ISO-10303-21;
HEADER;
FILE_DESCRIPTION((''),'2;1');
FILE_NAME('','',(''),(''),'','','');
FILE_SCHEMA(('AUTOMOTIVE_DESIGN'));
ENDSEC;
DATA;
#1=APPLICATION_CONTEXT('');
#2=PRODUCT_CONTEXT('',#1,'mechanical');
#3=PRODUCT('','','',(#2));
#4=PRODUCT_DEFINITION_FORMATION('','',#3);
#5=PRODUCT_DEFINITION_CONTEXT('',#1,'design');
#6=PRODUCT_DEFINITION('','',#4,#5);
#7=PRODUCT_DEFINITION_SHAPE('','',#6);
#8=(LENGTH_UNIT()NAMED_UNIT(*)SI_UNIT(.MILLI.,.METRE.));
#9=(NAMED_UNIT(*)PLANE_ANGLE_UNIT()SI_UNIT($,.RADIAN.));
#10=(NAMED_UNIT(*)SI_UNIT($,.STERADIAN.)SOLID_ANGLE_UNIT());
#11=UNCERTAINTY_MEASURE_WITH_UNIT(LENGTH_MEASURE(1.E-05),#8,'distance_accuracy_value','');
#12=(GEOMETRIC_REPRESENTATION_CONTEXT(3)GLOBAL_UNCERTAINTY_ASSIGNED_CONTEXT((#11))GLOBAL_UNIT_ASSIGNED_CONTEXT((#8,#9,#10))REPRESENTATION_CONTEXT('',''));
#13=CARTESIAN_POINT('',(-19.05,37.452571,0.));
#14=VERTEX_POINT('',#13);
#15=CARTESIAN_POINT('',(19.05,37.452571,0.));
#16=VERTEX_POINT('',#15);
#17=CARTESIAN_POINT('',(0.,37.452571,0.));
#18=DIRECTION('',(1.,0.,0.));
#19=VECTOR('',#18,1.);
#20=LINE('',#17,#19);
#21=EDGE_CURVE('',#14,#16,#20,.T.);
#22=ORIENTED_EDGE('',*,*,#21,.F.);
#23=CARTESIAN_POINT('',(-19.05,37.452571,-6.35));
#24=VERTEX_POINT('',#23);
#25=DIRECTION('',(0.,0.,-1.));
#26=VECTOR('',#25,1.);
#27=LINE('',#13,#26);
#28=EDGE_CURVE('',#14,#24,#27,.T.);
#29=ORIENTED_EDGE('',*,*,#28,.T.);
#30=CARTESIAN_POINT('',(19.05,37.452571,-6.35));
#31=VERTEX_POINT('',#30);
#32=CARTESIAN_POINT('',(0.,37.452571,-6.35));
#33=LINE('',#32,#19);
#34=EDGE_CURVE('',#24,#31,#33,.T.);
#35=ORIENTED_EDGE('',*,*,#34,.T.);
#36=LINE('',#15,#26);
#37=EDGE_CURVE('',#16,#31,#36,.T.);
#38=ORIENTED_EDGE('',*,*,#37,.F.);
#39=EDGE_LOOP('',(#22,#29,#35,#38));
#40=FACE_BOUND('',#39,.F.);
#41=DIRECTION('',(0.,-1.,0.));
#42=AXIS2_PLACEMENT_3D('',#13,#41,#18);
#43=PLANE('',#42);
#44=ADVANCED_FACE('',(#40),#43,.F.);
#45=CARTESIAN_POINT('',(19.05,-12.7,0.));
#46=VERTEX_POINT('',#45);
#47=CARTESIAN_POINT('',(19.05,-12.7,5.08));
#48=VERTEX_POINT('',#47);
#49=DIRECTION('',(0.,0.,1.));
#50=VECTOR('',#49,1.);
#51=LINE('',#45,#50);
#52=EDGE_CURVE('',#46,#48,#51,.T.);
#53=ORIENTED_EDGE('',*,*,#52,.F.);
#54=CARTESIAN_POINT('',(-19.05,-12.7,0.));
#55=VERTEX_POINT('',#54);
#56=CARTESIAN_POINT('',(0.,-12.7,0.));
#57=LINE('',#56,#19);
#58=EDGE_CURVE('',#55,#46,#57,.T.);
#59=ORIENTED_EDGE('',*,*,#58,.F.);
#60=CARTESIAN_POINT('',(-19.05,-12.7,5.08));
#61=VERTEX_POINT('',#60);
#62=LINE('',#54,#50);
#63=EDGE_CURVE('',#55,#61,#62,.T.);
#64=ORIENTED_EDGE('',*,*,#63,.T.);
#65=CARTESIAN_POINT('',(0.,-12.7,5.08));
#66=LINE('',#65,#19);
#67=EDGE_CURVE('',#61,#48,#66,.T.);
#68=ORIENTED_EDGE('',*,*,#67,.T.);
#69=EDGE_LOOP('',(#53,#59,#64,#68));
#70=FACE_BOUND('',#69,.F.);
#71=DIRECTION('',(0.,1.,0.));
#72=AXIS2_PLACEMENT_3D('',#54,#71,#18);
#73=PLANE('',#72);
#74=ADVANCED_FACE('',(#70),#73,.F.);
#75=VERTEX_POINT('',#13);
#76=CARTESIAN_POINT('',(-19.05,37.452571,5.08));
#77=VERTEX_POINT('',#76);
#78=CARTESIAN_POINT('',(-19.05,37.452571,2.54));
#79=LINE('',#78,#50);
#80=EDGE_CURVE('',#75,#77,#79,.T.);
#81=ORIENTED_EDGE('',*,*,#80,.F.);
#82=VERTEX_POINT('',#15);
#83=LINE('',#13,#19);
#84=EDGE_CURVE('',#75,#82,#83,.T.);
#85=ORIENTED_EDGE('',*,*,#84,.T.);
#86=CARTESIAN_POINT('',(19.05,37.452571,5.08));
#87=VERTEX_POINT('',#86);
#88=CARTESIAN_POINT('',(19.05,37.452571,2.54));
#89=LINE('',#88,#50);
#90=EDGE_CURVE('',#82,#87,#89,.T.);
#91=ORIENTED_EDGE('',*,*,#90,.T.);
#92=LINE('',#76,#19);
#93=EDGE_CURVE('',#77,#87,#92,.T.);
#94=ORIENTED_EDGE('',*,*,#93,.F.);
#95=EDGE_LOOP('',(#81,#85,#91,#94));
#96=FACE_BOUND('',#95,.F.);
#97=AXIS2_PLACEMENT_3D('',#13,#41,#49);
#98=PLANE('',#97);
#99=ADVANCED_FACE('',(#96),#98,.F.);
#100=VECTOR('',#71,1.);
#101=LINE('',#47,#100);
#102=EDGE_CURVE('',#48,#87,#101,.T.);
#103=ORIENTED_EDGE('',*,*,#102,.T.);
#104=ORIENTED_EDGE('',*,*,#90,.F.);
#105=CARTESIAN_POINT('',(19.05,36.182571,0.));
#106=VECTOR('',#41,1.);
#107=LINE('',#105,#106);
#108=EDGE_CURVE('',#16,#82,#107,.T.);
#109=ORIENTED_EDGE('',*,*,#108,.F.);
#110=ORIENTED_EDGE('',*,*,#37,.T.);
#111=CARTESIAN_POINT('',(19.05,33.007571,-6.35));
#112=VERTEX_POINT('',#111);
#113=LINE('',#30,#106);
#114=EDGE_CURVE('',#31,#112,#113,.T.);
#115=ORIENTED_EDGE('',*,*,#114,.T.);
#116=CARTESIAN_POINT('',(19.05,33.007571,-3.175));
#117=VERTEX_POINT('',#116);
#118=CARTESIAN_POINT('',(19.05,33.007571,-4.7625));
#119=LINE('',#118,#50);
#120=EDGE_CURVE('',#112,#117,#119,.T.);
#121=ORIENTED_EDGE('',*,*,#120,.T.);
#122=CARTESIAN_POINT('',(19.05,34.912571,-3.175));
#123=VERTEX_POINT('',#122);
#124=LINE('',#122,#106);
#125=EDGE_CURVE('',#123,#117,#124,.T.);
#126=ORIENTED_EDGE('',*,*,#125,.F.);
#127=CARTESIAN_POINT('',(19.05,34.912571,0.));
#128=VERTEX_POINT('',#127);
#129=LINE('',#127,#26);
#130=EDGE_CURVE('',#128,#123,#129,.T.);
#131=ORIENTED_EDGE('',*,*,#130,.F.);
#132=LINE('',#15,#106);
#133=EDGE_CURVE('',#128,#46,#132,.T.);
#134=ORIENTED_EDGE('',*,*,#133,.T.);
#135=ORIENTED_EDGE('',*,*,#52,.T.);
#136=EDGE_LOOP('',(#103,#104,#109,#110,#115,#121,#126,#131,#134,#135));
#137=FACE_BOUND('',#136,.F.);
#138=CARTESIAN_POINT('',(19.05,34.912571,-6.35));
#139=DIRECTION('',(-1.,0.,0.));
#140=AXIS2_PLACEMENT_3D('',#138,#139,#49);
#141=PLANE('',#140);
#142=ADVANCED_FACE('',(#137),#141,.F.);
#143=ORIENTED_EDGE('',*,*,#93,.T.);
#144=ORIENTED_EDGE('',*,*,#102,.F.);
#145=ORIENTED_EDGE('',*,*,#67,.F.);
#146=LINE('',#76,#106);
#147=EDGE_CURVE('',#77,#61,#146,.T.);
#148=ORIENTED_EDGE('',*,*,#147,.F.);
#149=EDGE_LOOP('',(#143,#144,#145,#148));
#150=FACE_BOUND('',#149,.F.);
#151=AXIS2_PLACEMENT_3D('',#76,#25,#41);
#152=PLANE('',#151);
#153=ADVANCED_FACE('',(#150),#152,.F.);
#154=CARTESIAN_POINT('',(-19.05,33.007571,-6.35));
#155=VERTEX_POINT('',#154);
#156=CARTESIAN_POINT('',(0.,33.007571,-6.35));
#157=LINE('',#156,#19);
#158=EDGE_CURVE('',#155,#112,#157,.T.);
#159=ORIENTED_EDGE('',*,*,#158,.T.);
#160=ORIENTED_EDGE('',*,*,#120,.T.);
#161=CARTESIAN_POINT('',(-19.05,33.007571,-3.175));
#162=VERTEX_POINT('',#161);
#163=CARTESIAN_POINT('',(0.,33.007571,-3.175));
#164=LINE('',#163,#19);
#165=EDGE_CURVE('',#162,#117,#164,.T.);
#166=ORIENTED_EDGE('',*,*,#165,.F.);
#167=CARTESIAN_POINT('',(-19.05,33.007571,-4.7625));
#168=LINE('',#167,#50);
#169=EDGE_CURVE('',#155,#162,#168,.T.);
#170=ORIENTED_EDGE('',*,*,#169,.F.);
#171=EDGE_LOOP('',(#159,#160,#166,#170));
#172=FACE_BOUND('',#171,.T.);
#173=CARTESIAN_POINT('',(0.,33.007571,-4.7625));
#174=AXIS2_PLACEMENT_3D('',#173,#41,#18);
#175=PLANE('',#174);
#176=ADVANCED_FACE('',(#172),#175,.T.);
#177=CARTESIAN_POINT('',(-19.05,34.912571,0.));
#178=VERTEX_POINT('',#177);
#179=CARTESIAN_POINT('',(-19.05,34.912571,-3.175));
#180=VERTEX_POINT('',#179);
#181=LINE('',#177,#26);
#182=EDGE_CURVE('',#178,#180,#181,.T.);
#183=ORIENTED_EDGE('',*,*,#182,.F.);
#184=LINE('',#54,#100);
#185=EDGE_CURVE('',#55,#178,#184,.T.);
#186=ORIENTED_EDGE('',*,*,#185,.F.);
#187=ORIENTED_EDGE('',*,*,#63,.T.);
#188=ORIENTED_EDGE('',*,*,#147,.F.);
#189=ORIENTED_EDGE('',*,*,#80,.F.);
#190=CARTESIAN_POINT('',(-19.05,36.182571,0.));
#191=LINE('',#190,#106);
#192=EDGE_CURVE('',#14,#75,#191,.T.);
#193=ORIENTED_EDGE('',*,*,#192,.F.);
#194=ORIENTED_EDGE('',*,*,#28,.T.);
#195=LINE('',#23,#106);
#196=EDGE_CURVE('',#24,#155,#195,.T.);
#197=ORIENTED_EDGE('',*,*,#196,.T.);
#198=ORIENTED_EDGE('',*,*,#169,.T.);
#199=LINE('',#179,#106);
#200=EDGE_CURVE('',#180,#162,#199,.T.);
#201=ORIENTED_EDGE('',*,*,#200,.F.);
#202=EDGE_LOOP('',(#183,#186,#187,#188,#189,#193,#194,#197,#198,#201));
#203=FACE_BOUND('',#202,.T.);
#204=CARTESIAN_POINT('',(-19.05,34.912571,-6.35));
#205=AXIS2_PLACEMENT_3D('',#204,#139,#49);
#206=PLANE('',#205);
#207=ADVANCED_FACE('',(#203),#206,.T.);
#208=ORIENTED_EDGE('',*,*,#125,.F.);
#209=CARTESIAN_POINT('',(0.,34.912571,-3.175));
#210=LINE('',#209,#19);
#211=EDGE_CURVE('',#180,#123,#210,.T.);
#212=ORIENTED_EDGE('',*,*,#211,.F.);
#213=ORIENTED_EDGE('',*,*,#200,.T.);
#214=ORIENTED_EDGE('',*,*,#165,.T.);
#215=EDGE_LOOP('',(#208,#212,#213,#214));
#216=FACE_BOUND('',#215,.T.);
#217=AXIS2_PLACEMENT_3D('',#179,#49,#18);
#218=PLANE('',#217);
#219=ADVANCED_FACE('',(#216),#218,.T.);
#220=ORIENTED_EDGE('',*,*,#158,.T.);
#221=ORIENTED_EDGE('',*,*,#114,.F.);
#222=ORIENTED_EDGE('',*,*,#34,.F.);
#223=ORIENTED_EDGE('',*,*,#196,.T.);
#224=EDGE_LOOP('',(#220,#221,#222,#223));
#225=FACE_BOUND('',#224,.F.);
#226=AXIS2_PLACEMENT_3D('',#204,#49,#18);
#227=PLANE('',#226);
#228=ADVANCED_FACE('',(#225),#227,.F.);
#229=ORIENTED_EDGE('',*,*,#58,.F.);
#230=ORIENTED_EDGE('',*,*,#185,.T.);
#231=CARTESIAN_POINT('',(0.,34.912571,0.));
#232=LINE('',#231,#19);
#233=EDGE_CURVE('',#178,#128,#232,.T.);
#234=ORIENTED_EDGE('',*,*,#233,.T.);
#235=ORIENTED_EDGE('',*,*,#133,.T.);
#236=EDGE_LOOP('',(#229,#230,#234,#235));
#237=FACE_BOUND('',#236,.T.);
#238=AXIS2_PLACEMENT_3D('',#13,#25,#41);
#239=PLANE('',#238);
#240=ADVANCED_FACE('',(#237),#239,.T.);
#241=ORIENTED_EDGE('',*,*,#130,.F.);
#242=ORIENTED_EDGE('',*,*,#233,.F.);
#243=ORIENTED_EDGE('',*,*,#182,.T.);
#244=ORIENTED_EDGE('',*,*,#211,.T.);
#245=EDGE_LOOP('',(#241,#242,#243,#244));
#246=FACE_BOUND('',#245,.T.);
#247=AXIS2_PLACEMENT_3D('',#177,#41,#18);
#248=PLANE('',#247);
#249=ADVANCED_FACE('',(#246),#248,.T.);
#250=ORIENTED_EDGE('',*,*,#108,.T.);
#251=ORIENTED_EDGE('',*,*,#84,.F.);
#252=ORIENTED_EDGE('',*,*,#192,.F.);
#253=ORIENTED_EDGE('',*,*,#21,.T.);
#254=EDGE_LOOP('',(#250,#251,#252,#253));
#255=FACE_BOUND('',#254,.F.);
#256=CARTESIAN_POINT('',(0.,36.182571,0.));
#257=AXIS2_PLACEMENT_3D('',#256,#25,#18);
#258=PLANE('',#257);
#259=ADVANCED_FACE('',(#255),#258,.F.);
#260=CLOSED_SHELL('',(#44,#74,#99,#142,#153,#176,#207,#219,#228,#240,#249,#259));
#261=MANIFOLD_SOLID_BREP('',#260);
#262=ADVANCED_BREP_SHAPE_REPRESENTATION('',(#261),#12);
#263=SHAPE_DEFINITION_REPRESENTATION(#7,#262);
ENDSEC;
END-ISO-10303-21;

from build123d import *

# Parameters (mm, degrees)
F0_W     = 38.1
F0_H     = 25.4
F1_DEPTH = 5.08
F2_W     = 38.1
F2_H     = 5.08
F3_DEPTH = 22.225
F4_W     = 2.527571
F4_H     = 5.08
F5_DEPTH = 38.1
F6_W     = 38.1
F6_H     = 2.54
F7_DEPTH = 6.35
F8_W     = 38.1
F8_H     = 3.175
F9_DEPTH = 1.905


with BuildPart() as f1:
    # F0 (on Top) → F1 (new body)
    with BuildSketch(Plane.XY):
        Rectangle(F0_W, F0_H)
    extrude(amount=F1_DEPTH)

    # F2 (on face) → F3 (join)
    with BuildSketch(Plane(origin=(0, 12.7, 0), x_dir=(-1, 0, 0), z_dir=(0, 1, 0))):
        with Locations((0, 2.54)):
            Rectangle(F2_W, F2_H)
    extrude(amount=F3_DEPTH)

    # F4 (on face) → F5 (join)
    with BuildSketch(Plane(origin=(-19.05, 0, 0), x_dir=(0, -1, 0), z_dir=(-1, 0, 0))):
        with Locations((-36.188785, 2.54)):
            Rectangle(F4_W, F4_H)
    extrude(amount=-F5_DEPTH)

    # F6 (on face) → F7 (join)
    with BuildSketch(Plane(origin=(0, 0, 0), x_dir=(1, 0, 0), z_dir=(0, 0, -1))):
        with Locations((0, -36.182571)):
            Rectangle(F6_W, F6_H)
    extrude(amount=F7_DEPTH)

    # F8 (on face) → F9 (join)
    with BuildSketch(Plane.XZ.offset(-34.912571)):
        with Locations((0, -4.7625)):
            Rectangle(F8_W, F8_H)
    extrude(amount=F9_DEPTH)


solid = f1.part
